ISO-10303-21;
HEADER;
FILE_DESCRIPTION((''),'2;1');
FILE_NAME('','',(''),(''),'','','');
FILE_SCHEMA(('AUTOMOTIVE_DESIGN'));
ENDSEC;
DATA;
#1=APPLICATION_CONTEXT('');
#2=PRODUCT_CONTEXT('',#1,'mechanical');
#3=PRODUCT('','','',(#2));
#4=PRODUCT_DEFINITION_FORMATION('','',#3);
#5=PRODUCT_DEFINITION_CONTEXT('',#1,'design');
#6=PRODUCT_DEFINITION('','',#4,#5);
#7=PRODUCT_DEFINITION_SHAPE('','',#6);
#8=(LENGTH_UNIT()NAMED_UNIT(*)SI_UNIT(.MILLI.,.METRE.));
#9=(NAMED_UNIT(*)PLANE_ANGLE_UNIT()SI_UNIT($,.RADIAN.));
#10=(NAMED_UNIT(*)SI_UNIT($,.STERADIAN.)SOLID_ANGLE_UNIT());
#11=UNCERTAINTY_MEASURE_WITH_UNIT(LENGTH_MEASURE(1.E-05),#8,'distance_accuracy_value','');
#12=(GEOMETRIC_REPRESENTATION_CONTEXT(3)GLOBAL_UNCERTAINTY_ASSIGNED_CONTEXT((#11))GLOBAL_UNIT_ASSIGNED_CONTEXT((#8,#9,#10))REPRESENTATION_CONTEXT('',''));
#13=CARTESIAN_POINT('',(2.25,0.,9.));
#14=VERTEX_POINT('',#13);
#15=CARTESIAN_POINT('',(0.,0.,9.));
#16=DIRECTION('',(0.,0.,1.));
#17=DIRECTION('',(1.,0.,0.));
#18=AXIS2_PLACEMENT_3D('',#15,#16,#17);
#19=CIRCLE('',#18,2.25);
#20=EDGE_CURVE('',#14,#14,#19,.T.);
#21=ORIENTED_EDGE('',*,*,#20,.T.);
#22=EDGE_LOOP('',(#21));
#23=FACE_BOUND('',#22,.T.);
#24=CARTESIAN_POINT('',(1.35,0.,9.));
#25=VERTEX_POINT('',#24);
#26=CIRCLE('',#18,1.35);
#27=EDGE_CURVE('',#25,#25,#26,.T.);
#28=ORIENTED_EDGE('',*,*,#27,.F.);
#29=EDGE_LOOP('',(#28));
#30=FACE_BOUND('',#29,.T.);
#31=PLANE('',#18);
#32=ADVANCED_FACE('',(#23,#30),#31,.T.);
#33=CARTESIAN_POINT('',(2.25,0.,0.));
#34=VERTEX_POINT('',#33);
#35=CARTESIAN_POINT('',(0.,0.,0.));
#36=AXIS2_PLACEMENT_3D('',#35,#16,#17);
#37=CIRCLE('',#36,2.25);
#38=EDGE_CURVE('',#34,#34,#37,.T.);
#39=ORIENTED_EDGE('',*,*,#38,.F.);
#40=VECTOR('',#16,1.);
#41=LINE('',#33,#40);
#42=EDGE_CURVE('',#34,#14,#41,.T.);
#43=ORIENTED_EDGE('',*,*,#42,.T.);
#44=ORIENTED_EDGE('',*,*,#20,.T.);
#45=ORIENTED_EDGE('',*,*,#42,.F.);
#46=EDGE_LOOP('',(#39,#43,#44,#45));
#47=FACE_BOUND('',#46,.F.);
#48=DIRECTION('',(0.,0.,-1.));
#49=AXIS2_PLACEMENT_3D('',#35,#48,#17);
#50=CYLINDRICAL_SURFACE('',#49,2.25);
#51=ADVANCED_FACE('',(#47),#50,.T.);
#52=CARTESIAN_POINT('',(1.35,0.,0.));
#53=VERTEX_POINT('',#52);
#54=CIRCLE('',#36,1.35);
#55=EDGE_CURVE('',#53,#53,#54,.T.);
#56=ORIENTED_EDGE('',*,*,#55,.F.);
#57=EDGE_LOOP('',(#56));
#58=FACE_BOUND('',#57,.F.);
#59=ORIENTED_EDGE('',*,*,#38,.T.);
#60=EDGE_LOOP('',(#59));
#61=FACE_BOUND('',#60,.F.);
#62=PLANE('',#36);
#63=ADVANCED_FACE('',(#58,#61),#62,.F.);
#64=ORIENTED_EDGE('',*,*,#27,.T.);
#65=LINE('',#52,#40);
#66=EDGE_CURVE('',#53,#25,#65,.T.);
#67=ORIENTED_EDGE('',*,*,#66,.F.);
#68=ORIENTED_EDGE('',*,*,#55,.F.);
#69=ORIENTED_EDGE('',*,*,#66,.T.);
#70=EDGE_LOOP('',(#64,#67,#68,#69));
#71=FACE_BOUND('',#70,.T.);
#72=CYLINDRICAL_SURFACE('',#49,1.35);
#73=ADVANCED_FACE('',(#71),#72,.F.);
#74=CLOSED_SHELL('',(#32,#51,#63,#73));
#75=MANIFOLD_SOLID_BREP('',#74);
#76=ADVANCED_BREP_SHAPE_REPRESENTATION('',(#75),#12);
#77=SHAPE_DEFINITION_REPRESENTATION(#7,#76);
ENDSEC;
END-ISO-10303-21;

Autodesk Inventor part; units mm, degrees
ref_plane "YZ Plane" through (0, 0, 0) normal (1, 0, 0) x (0, 1, 0)
ref_plane "XZ Plane" through (0, 0, 0) normal (0, 1, 0) x (-1, 0, 0)
ref_plane "XY Plane" through (0, 0, 0) normal (0, 0, 1) x (1, 0, 0)
sketch "Sketch1" plane through (0, 0, 0) normal (0, 0, 1) x (1, 0, 0)
  circle A0 centre (0, 0) radius 1.35
  circle A1 centre (0, 0) radius 2.25
  dimension "d0" = 2.7
  dimension "d1" = 4.5
extrude "Extrusion1" add sketch "Sketch1" along normal blind 9
properties part number "RaspberryPi4_StandoffTemp"
